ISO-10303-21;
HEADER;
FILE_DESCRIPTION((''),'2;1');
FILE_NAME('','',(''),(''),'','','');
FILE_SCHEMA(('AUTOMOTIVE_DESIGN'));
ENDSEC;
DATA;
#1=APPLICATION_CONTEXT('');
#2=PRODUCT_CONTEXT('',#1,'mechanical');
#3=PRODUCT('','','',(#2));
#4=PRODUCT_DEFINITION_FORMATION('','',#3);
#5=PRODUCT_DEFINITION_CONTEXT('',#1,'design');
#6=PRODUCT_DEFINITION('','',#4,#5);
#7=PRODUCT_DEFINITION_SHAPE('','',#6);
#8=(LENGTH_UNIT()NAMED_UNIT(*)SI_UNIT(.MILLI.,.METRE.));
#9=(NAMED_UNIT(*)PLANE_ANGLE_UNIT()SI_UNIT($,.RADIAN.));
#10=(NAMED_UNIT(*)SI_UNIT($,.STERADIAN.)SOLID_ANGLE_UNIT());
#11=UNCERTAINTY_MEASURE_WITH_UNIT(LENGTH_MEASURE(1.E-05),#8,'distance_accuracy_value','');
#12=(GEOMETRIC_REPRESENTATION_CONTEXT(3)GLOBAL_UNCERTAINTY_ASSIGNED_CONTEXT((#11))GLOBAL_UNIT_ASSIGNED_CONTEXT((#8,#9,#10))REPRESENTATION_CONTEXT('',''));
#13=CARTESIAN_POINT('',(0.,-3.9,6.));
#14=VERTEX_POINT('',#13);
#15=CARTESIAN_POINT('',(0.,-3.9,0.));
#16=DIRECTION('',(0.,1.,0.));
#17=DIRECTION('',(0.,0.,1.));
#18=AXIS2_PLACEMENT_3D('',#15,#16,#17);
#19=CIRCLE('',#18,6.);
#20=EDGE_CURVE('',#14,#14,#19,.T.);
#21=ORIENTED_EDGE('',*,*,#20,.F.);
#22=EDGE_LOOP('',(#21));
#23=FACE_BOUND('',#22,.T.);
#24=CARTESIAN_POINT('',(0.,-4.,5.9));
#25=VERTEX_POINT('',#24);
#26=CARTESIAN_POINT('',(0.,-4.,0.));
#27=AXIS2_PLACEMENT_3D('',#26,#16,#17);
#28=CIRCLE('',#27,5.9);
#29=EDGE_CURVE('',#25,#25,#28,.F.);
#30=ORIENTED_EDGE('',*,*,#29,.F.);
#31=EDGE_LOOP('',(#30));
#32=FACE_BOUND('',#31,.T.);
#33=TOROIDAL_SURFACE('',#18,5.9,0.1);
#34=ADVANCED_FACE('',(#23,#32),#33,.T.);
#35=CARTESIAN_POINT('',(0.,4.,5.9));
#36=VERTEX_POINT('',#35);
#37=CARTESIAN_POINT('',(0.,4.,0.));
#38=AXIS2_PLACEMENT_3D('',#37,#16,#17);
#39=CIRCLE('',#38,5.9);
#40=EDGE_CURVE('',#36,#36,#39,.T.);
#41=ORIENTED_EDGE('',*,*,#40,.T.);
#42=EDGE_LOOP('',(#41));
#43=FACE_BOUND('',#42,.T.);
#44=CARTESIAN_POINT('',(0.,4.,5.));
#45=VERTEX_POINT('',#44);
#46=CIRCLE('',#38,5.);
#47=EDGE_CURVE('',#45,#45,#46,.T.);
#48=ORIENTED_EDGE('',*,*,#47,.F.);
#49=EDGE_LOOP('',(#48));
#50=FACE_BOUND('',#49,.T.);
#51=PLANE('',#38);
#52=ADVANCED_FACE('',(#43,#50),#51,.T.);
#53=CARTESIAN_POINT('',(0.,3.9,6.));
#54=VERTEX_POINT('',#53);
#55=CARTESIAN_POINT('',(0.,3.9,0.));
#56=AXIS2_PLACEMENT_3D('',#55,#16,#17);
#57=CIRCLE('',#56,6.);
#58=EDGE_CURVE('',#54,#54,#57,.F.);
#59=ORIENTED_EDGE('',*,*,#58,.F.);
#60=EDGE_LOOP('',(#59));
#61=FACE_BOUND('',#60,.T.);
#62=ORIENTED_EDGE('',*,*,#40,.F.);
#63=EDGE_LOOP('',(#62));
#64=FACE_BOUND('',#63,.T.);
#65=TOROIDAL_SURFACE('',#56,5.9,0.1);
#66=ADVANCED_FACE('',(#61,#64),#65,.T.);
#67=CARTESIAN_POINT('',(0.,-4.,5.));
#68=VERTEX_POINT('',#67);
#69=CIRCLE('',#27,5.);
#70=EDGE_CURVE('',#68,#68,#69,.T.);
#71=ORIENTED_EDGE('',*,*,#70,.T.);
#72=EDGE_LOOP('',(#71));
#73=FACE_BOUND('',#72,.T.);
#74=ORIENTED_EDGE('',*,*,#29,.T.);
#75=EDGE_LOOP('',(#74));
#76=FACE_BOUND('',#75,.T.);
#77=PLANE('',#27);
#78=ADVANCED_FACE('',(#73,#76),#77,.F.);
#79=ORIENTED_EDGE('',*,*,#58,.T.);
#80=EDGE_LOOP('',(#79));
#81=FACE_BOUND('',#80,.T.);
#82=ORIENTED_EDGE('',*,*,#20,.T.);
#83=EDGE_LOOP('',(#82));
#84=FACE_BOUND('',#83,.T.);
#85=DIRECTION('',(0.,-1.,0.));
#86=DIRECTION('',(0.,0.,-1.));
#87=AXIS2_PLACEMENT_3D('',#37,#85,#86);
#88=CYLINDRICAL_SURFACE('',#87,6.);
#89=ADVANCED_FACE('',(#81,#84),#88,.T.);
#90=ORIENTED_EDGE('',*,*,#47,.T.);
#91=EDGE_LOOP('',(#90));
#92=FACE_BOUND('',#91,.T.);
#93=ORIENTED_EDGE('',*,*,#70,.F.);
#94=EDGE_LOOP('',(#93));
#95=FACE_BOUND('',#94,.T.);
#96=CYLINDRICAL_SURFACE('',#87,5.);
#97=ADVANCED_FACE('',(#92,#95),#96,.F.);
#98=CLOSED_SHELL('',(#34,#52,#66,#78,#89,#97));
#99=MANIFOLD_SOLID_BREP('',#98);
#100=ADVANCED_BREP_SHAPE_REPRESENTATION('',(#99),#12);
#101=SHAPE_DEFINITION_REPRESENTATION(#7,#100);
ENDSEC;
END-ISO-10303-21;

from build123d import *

# Parameters (mm, degrees)
SKIZZE1_R                       = 6
SKIZZE1_R_2                     = 5
AUFSATZ_LINEAR_AUSTRAGEN1_DEPTH = 4
VERRUNDUNG1_R                   = 0.1


with BuildPart() as part:
    # Skizze1 → Aufsatz-Linear austragen1 (new, symmetric)
    with BuildSketch(Plane(origin=(0, 0, 0), x_dir=(1, 0, 0), z_dir=(0, 1, 0))):
        with Locations(Location((0, 0, 0), (0, 0, 270))):
            Circle(SKIZZE1_R)
        with Locations(Location((0, 0, 0), (0, 0, 270))):
            Circle(SKIZZE1_R_2, mode=Mode.SUBTRACT)
    extrude(amount=AUFSATZ_LINEAR_AUSTRAGEN1_DEPTH, both=True)

    # Verrundung1
    verrundung1_edges = [part.edges().sort_by_distance(p)[0] for p in [
        (0, -4, -6),
        (0, 4, -6),
    ]]
    fillet(verrundung1_edges, radius=VERRUNDUNG1_R)


solid = part.part
